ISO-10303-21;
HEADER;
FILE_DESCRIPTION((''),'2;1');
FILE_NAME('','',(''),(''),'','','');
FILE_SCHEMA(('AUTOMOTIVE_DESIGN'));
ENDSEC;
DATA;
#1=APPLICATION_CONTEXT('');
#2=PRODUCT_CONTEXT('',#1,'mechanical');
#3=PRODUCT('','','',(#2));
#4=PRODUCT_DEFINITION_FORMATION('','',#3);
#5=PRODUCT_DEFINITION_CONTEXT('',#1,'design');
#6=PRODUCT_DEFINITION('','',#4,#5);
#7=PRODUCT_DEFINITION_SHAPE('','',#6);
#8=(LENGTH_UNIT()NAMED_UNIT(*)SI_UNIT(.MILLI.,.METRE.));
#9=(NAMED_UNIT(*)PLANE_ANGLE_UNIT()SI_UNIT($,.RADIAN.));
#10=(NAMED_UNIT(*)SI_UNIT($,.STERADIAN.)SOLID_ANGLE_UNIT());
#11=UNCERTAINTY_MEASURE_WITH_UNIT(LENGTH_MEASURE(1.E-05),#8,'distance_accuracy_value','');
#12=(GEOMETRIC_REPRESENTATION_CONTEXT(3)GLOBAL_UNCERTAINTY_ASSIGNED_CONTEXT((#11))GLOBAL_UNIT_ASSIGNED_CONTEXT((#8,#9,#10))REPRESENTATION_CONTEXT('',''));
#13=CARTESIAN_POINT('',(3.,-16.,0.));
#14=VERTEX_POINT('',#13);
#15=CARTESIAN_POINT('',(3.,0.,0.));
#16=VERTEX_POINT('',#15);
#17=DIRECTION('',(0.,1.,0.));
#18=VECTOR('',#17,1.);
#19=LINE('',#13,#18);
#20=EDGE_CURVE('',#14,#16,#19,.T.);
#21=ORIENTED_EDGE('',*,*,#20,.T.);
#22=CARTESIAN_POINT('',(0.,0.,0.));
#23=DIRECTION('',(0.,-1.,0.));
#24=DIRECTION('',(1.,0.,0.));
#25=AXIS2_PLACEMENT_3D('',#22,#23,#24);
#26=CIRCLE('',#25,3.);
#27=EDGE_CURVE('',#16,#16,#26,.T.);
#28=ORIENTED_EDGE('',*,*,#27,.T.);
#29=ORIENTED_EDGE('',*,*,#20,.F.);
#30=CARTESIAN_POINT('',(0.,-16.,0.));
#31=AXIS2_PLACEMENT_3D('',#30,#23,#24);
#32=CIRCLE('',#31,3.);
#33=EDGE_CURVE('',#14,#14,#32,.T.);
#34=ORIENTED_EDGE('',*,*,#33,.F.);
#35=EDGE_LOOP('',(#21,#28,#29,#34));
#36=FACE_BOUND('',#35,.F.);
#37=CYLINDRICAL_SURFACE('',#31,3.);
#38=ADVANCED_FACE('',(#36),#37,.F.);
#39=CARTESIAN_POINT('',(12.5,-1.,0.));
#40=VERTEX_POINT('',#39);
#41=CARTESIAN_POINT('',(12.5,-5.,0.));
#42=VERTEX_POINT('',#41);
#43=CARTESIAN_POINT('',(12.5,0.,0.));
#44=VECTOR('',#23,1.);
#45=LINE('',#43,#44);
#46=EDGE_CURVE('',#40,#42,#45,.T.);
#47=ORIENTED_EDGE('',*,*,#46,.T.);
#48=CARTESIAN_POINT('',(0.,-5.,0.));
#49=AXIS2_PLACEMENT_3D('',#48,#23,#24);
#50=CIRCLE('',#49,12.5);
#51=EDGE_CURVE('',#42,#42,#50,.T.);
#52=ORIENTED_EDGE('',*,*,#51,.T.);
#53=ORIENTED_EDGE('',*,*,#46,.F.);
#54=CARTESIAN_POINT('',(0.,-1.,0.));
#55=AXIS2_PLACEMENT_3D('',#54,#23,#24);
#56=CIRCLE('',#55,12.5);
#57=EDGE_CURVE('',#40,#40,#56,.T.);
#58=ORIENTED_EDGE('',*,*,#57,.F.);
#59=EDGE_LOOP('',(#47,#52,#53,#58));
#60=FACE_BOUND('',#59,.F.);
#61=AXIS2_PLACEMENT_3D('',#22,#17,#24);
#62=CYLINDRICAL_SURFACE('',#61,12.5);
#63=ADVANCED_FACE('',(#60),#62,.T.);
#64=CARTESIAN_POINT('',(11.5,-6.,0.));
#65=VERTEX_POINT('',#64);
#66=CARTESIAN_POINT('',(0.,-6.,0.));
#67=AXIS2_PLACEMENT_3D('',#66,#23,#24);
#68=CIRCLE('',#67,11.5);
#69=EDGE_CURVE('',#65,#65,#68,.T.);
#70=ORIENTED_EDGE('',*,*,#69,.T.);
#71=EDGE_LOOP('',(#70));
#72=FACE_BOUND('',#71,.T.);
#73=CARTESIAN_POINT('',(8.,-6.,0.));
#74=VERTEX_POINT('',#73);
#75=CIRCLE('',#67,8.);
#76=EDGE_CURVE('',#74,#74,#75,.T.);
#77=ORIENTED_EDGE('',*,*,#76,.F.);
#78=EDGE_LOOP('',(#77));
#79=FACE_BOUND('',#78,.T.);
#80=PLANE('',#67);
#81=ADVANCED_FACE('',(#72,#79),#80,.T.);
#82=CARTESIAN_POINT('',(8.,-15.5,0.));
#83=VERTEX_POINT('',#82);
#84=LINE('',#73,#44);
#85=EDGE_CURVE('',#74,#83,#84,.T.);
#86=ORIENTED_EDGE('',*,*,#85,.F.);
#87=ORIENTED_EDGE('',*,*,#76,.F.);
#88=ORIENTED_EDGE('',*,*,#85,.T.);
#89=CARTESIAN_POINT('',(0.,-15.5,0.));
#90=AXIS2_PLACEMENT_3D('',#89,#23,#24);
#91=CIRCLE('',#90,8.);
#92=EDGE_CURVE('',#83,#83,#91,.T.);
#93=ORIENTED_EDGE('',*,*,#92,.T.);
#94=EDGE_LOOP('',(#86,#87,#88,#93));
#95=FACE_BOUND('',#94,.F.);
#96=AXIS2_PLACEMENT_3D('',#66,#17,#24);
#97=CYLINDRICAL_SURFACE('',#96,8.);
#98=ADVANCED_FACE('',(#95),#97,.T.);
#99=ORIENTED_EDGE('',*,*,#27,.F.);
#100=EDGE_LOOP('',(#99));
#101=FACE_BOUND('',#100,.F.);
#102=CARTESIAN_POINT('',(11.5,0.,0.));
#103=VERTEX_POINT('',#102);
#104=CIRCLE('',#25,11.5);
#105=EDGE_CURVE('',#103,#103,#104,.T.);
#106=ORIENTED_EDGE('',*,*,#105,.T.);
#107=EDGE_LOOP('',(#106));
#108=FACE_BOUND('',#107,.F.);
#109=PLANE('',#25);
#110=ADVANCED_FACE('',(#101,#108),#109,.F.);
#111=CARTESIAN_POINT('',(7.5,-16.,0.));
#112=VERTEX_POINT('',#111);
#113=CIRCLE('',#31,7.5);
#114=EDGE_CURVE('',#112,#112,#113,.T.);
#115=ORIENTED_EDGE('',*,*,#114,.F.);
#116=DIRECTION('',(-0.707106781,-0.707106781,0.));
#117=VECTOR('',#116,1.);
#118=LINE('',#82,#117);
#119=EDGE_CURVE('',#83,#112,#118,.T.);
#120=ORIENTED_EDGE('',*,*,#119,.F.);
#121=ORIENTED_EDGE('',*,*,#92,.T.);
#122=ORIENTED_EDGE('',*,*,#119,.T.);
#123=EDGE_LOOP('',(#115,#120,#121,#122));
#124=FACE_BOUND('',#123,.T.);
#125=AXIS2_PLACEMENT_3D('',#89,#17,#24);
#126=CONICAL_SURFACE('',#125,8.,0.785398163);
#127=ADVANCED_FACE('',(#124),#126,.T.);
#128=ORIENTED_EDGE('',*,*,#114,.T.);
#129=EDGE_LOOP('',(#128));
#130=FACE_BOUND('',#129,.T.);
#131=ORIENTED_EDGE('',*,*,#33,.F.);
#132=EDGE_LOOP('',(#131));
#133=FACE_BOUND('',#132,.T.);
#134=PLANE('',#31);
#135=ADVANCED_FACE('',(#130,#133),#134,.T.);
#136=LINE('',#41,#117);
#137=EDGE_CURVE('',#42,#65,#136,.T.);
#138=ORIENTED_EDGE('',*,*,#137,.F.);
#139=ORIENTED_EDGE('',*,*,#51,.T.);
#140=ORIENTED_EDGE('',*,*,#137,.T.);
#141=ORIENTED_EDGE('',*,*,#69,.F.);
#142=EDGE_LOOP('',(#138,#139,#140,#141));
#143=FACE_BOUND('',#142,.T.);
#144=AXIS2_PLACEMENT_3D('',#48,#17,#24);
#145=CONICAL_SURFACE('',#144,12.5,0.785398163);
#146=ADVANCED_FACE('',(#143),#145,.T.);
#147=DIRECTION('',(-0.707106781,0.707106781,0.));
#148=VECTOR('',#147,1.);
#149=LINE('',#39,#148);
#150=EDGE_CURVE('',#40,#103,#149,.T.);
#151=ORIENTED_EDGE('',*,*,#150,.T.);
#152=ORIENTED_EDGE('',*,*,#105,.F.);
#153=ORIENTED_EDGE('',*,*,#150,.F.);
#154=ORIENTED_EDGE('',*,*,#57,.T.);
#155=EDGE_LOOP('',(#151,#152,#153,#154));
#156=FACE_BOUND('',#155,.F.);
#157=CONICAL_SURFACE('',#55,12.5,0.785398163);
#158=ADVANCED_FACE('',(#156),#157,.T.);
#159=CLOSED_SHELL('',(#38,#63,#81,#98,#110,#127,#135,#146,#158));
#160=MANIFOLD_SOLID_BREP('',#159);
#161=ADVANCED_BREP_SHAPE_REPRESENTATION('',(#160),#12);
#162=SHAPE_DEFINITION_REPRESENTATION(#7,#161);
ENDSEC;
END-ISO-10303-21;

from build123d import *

# Parameters (mm, degrees)
F0_R     = 12.5
F1_DEPTH = 6
F2_R     = 8
F3_DEPTH = 10
F4_R     = 3
F5_DEPTH = 25
F6_SIZE  = 1
F7_SIZE  = 0.5


with BuildPart() as f1:
    # F0 (on Front) → F1 (new body)
    with BuildSketch(Plane.XZ):
        Circle(F0_R)
    extrude(amount=F1_DEPTH)

    # F2 (on face) → F3 (join)
    with BuildSketch(Plane.XZ.offset(6)):
        Circle(F2_R)
    extrude(amount=F3_DEPTH)

    # F4 (on face) → F5 (cut)
    with BuildSketch(Plane.XZ.offset(16)):
        Circle(F4_R)
    extrude(amount=-F5_DEPTH, mode=Mode.SUBTRACT)

    # F6
    f6_edges = [f1.edges().sort_by_distance(p)[0] for p in [
        (-12.5, -6, 0),
        (-12.5, 0, 0),
    ]]
    chamfer(f6_edges, length=F6_SIZE)

    # F7
    f7_edges = [f1.edges().sort_by_distance(p)[0] for p in [
        (-8, -16, 0),
    ]]
    chamfer(f7_edges, length=F7_SIZE)


solid = f1.part
